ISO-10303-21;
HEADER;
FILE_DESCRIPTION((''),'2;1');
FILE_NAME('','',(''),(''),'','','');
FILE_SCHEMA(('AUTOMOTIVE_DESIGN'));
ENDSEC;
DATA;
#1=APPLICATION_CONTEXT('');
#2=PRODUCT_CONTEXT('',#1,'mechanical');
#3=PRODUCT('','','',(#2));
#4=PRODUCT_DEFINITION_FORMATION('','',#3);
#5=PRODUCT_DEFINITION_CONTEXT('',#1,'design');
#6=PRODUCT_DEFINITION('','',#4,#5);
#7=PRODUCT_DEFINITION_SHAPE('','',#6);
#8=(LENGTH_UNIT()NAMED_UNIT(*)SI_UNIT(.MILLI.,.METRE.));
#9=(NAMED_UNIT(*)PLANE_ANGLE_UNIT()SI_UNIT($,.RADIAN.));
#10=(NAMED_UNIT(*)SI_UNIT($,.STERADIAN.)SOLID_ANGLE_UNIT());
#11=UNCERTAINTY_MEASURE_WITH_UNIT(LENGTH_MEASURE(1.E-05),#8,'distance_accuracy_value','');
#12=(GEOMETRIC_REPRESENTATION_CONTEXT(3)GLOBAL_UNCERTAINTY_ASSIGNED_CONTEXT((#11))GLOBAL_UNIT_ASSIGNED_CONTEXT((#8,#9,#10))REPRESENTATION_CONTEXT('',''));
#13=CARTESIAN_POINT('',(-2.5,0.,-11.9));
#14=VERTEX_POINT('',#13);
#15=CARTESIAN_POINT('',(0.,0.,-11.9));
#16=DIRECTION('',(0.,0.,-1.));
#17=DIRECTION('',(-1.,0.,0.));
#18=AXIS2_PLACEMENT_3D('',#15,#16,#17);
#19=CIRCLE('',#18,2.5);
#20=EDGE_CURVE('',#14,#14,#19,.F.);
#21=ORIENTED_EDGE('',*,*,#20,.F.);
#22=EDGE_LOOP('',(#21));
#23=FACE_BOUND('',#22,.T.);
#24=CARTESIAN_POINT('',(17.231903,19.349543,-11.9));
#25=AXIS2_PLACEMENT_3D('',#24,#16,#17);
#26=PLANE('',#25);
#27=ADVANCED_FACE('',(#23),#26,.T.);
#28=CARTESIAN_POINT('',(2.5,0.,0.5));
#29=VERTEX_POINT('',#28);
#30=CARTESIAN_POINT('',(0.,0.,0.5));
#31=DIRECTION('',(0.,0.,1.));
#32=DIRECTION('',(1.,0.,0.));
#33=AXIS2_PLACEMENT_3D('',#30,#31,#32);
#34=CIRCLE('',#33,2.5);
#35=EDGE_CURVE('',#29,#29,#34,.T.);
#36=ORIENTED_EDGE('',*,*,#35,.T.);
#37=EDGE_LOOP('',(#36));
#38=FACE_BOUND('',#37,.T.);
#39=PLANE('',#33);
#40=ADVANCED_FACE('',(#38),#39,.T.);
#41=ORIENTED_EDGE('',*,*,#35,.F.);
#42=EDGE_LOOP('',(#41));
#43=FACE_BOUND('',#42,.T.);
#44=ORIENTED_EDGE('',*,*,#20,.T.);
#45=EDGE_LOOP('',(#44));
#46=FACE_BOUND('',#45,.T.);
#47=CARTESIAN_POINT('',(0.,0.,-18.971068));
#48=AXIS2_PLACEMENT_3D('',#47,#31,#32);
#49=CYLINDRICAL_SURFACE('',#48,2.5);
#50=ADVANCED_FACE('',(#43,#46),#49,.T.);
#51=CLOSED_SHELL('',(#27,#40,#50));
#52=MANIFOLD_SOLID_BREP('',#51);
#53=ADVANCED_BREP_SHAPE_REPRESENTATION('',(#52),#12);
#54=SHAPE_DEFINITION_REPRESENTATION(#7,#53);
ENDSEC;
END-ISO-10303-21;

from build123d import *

# Parameters (mm, degrees)
EXTRUDE_START   = -11.9
SKETCH_1_R      = 2.5
EXTRUDE_1_DEPTH = 12.4


with BuildPart() as part:
    # Эскиз1 → Бобышка-Вытянуть1 (new body)
    with BuildSketch(Plane.XY.offset(EXTRUDE_START)):
        Circle(SKETCH_1_R)
    extrude(amount=EXTRUDE_1_DEPTH)


solid = part.part
